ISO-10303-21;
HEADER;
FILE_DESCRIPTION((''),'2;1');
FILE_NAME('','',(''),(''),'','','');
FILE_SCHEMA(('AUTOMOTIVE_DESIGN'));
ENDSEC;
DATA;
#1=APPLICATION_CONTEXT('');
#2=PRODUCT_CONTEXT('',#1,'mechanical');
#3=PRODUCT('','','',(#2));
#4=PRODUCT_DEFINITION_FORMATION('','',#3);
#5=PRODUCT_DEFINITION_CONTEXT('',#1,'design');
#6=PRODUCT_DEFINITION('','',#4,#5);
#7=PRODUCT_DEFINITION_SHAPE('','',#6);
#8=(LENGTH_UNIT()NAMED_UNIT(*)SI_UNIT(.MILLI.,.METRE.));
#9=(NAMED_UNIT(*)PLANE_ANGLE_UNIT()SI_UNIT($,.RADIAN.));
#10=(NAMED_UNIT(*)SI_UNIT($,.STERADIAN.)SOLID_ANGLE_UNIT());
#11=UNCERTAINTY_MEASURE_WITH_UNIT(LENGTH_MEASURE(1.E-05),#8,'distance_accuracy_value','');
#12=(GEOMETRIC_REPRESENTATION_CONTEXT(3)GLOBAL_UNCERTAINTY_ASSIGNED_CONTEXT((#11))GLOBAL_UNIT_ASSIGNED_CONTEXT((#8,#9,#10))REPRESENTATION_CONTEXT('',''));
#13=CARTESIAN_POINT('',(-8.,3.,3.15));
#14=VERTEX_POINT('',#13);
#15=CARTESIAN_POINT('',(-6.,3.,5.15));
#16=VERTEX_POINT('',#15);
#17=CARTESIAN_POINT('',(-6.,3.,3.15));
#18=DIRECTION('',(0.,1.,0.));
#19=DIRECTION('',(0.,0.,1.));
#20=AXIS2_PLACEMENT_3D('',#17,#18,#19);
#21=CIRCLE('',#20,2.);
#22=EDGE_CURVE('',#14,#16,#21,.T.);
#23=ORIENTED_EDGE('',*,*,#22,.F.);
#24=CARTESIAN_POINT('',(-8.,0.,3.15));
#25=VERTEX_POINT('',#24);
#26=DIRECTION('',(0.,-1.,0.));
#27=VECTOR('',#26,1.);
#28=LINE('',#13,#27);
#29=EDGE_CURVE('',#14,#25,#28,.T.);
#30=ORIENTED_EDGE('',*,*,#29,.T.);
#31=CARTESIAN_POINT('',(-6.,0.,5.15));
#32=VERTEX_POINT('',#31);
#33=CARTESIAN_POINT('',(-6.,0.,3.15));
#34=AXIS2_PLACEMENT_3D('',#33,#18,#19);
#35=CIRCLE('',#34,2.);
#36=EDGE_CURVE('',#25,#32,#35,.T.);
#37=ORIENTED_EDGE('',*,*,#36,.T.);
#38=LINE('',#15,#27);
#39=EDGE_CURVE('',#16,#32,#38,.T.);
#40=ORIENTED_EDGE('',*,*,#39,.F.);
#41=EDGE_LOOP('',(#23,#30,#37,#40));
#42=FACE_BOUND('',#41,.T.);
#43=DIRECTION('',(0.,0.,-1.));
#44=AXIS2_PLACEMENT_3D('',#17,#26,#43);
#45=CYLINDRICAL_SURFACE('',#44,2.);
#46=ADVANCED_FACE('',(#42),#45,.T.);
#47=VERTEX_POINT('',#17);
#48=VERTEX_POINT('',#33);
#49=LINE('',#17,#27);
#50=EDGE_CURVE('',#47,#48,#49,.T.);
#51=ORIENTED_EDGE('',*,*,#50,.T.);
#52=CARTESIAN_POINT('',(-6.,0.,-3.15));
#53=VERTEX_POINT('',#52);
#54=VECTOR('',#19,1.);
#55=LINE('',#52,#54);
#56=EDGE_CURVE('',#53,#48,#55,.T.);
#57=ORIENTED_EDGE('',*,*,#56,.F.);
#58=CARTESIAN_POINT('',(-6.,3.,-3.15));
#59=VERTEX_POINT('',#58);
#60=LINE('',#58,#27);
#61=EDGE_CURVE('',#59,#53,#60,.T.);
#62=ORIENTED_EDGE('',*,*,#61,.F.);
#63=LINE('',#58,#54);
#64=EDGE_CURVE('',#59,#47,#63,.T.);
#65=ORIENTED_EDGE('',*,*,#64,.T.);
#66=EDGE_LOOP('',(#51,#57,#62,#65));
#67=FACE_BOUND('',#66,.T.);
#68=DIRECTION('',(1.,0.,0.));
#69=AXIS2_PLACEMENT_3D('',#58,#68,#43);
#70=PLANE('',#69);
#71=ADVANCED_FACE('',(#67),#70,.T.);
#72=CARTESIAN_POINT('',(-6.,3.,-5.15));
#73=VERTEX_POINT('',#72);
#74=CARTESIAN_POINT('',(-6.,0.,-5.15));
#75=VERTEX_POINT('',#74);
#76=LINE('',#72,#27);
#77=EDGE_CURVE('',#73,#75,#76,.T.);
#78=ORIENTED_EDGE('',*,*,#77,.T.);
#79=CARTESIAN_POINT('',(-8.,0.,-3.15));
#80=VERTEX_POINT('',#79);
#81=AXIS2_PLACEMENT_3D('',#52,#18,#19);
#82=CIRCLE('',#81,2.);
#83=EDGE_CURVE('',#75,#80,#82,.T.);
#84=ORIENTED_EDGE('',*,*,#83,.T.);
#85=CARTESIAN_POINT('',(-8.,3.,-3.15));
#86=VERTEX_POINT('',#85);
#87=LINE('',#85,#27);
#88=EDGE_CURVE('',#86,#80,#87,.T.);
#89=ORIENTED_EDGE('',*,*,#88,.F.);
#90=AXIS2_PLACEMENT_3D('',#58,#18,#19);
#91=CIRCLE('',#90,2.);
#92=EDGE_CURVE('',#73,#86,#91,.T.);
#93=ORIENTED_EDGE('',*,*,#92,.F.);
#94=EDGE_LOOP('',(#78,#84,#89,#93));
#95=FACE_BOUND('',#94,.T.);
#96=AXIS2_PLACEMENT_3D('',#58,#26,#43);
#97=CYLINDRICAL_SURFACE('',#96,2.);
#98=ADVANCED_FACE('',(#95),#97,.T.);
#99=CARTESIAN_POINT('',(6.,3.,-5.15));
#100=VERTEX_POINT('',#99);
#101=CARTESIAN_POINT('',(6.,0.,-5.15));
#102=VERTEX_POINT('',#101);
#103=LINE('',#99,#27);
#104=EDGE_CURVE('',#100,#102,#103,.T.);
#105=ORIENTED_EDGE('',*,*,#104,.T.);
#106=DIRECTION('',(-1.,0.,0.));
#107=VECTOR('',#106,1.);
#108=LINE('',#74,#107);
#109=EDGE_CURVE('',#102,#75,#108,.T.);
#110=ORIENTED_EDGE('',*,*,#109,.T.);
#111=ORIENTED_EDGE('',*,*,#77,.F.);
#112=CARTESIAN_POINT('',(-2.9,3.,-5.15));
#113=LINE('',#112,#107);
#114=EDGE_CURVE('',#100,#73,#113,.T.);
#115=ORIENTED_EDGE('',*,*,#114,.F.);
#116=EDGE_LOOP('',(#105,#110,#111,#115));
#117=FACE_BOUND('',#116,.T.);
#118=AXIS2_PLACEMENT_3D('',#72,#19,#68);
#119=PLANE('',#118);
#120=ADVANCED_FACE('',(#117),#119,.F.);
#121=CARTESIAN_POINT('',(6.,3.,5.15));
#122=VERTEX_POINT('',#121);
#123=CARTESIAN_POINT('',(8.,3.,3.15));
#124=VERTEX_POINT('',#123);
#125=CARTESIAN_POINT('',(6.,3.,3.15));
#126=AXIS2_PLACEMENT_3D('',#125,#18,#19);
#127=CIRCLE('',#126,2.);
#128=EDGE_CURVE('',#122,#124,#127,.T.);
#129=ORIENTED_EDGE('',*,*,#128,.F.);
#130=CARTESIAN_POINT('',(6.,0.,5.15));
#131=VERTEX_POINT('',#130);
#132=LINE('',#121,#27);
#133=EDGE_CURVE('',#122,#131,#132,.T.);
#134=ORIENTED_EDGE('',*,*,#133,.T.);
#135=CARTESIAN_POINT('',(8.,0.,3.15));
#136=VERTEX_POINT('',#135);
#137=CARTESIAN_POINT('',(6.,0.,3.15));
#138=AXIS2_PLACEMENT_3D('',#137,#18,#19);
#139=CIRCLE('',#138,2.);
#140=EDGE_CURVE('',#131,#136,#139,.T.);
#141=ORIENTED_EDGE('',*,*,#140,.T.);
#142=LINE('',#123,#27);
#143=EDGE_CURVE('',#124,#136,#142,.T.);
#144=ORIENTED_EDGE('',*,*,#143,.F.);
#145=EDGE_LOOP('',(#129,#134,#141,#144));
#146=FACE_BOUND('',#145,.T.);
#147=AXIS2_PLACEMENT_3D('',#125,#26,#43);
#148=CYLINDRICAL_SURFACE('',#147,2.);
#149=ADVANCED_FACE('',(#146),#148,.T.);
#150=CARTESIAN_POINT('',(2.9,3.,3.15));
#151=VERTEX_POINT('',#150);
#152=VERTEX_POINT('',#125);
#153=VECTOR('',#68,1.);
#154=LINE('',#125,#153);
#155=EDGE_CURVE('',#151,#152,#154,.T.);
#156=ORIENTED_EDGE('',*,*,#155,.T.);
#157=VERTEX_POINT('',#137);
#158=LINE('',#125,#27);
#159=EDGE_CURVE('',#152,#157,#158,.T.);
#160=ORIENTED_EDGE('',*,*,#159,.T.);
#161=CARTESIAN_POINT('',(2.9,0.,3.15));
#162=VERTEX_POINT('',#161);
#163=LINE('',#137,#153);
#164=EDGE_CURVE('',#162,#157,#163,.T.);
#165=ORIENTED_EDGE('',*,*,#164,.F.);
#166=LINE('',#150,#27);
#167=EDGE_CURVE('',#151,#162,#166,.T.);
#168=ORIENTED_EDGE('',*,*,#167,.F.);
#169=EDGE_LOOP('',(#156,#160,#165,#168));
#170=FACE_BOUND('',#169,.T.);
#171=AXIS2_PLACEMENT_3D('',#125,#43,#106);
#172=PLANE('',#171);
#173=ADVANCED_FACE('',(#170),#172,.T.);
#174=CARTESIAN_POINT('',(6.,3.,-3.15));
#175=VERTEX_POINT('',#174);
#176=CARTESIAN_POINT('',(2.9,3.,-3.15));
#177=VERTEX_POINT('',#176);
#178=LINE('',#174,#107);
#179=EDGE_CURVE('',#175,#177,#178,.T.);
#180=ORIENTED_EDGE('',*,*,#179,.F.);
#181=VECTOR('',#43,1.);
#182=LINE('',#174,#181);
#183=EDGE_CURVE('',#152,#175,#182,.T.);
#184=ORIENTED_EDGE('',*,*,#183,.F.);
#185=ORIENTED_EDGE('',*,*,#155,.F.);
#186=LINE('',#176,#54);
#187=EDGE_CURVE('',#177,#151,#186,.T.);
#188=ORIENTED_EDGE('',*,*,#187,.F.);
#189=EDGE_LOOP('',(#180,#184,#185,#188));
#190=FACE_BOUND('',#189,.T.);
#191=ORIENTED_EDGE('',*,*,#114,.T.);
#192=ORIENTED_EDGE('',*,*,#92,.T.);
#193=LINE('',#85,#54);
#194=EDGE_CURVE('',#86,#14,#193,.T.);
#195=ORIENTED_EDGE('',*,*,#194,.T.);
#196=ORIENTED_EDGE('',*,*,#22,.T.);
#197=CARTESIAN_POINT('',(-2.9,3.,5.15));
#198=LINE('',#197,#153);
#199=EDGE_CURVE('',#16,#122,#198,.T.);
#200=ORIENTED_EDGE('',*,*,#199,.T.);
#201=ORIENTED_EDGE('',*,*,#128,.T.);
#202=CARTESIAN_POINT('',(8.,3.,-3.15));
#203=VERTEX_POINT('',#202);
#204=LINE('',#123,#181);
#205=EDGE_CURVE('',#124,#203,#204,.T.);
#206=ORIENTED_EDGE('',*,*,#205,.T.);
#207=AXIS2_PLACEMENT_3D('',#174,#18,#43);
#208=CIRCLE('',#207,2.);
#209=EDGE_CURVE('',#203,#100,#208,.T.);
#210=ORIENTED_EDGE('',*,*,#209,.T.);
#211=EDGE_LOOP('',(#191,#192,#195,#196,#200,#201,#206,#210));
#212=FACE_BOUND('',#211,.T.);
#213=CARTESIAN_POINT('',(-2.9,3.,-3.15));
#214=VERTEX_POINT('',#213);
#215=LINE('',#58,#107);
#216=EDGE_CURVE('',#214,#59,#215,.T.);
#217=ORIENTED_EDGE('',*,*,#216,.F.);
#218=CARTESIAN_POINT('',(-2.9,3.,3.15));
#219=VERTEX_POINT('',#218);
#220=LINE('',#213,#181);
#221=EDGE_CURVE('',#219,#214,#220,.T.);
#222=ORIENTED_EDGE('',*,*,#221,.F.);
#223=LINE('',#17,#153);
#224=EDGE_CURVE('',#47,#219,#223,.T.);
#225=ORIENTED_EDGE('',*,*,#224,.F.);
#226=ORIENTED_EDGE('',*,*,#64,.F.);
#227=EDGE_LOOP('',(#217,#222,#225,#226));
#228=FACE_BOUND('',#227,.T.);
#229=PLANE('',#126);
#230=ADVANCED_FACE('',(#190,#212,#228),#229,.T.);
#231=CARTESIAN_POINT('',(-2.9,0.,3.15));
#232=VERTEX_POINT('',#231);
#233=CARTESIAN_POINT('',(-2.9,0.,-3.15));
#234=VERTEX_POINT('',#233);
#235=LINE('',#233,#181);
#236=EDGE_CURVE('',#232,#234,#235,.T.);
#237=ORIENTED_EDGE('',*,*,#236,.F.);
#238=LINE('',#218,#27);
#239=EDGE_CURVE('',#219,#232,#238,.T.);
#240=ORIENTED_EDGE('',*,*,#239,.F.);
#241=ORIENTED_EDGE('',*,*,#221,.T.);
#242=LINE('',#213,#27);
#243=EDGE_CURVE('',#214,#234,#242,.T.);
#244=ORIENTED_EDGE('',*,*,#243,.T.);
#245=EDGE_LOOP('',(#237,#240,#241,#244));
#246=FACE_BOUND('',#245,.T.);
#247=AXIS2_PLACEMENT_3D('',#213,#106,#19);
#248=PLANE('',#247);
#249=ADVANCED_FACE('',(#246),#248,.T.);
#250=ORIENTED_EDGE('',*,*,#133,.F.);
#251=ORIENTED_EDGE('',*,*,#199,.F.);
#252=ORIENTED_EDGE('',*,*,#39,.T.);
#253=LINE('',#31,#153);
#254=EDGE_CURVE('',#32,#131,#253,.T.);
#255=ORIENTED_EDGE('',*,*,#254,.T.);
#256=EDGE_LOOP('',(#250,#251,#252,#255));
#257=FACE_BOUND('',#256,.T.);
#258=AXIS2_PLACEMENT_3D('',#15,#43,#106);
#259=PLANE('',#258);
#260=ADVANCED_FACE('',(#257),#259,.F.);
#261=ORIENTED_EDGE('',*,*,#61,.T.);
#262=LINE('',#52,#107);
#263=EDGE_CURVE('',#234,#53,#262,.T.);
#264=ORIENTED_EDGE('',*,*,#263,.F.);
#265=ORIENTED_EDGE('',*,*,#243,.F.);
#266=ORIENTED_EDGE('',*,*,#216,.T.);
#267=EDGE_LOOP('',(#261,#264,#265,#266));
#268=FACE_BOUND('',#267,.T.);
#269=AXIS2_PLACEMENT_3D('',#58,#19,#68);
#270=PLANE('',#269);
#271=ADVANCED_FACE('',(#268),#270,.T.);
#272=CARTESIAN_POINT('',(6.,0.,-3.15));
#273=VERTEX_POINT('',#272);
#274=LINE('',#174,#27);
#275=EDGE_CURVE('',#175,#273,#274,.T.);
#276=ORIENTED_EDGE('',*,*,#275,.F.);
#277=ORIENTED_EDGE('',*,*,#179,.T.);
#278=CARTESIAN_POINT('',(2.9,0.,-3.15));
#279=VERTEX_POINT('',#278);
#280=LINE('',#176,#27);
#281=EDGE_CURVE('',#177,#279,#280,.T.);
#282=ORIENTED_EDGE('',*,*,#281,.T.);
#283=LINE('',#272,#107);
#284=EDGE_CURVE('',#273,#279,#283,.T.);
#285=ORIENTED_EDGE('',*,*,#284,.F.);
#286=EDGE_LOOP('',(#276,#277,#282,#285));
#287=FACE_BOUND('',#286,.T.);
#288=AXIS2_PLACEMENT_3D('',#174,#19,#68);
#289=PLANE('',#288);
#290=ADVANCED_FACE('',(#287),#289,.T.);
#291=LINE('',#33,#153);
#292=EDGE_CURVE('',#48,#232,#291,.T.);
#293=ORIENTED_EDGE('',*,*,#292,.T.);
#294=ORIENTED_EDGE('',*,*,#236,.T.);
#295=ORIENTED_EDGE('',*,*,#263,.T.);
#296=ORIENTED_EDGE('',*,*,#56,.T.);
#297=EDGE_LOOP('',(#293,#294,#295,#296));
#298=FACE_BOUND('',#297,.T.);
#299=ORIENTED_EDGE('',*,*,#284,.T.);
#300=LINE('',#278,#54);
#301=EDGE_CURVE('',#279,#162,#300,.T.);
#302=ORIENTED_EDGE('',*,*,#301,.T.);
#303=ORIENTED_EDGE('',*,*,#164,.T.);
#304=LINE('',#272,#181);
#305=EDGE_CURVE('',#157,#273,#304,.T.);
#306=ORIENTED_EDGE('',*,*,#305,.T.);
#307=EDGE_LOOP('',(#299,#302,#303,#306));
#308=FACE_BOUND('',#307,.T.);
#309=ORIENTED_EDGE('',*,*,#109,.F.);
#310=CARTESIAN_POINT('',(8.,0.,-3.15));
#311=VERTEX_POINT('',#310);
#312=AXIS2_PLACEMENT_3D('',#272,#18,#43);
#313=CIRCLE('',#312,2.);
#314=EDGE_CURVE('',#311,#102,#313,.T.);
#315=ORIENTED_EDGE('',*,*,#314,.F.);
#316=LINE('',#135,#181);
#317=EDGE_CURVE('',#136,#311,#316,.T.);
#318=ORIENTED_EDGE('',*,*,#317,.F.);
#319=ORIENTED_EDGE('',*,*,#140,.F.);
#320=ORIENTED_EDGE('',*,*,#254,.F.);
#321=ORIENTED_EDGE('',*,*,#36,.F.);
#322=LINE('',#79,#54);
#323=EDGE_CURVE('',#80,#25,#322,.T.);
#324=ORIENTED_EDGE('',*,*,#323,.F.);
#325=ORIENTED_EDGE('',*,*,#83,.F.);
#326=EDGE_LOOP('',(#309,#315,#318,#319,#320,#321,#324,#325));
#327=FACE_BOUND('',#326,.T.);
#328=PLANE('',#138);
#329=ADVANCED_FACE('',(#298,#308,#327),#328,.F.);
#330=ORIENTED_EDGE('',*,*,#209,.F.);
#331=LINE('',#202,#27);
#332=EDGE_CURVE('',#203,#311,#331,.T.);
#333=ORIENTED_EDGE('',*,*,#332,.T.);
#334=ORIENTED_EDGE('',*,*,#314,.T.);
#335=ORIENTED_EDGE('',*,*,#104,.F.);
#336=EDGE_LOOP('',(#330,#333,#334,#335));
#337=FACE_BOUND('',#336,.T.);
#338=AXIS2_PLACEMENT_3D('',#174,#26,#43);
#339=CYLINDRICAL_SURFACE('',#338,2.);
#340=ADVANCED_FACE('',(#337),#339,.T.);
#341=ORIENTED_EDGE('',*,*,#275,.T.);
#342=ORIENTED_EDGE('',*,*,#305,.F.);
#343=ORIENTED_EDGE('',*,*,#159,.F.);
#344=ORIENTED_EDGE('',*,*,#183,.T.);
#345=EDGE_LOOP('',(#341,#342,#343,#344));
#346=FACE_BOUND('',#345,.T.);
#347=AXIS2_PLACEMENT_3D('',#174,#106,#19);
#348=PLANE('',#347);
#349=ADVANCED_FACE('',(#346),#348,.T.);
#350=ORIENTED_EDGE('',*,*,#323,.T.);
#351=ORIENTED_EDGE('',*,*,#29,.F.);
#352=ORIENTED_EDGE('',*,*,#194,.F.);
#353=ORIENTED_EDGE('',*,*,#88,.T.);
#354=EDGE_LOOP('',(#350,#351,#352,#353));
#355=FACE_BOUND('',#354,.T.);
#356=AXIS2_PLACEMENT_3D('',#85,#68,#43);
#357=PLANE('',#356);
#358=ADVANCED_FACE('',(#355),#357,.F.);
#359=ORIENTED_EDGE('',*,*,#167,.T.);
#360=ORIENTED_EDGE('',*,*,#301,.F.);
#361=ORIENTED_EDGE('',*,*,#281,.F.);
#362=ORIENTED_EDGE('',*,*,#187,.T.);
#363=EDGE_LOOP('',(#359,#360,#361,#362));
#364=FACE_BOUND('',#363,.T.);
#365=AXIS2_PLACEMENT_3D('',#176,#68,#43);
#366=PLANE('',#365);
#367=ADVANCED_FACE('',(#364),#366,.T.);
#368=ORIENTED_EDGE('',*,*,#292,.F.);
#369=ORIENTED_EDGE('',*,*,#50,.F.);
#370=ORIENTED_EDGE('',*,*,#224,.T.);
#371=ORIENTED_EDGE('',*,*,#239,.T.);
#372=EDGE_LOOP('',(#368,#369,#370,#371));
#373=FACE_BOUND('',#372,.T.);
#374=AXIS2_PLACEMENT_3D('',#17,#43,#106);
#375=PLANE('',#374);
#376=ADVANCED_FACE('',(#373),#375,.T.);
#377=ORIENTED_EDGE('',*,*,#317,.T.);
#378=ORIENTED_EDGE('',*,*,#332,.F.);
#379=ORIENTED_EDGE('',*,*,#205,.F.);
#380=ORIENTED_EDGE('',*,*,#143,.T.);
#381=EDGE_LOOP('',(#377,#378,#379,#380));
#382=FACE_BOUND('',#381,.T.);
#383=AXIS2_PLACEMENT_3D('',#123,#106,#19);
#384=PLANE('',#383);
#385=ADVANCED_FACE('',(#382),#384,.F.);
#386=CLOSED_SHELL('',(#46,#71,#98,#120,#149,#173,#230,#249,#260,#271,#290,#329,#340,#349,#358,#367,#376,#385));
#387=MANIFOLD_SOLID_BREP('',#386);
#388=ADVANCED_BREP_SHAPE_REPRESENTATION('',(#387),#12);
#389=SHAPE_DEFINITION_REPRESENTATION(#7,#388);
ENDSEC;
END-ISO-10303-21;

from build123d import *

# Parameters (mm, degrees)
SKETCH1_W           = 3.1
SKETCH1_H           = 6.3
BOSS_EXTRUDE1_DEPTH = 3


with BuildPart() as part:
    # Sketch1 → Boss-Extrude1 (new body)
    with BuildSketch(Plane(origin=(0, 0, 0), x_dir=(1, 0, 0), z_dir=(0, 1, 0))):
        with BuildLine():
            Line((-8, 3.15), (-8, -3.15))
            ThreePointArc((-8, -3.15), (-7.414213562, -4.564213562), (-6, -5.15))
            Line((-6, -5.15), (-2.9, -5.15))
            Line((-2.9, -5.15), (6, -5.15))
            ThreePointArc((6, -5.15), (7.414213562, -4.564213562), (8, -3.15))
            Line((8, -3.15), (8, 3.15))
            ThreePointArc((8, 3.15), (7.414213562, 4.564213562), (6, 5.15))
            Line((6, 5.15), (-2.9, 5.15))
            Line((-2.9, 5.15), (-6, 5.15))
            ThreePointArc((-6, 5.15), (-7.414213562, 4.564213562), (-8, 3.15))
        make_face()
        with Locations((-4.45, 0)):
            Rectangle(SKETCH1_W, SKETCH1_H, mode=Mode.SUBTRACT)
        with Locations((4.45, 0)):
            Rectangle(SKETCH1_W, SKETCH1_H, mode=Mode.SUBTRACT)
    extrude(amount=BOSS_EXTRUDE1_DEPTH)


solid = part.part
